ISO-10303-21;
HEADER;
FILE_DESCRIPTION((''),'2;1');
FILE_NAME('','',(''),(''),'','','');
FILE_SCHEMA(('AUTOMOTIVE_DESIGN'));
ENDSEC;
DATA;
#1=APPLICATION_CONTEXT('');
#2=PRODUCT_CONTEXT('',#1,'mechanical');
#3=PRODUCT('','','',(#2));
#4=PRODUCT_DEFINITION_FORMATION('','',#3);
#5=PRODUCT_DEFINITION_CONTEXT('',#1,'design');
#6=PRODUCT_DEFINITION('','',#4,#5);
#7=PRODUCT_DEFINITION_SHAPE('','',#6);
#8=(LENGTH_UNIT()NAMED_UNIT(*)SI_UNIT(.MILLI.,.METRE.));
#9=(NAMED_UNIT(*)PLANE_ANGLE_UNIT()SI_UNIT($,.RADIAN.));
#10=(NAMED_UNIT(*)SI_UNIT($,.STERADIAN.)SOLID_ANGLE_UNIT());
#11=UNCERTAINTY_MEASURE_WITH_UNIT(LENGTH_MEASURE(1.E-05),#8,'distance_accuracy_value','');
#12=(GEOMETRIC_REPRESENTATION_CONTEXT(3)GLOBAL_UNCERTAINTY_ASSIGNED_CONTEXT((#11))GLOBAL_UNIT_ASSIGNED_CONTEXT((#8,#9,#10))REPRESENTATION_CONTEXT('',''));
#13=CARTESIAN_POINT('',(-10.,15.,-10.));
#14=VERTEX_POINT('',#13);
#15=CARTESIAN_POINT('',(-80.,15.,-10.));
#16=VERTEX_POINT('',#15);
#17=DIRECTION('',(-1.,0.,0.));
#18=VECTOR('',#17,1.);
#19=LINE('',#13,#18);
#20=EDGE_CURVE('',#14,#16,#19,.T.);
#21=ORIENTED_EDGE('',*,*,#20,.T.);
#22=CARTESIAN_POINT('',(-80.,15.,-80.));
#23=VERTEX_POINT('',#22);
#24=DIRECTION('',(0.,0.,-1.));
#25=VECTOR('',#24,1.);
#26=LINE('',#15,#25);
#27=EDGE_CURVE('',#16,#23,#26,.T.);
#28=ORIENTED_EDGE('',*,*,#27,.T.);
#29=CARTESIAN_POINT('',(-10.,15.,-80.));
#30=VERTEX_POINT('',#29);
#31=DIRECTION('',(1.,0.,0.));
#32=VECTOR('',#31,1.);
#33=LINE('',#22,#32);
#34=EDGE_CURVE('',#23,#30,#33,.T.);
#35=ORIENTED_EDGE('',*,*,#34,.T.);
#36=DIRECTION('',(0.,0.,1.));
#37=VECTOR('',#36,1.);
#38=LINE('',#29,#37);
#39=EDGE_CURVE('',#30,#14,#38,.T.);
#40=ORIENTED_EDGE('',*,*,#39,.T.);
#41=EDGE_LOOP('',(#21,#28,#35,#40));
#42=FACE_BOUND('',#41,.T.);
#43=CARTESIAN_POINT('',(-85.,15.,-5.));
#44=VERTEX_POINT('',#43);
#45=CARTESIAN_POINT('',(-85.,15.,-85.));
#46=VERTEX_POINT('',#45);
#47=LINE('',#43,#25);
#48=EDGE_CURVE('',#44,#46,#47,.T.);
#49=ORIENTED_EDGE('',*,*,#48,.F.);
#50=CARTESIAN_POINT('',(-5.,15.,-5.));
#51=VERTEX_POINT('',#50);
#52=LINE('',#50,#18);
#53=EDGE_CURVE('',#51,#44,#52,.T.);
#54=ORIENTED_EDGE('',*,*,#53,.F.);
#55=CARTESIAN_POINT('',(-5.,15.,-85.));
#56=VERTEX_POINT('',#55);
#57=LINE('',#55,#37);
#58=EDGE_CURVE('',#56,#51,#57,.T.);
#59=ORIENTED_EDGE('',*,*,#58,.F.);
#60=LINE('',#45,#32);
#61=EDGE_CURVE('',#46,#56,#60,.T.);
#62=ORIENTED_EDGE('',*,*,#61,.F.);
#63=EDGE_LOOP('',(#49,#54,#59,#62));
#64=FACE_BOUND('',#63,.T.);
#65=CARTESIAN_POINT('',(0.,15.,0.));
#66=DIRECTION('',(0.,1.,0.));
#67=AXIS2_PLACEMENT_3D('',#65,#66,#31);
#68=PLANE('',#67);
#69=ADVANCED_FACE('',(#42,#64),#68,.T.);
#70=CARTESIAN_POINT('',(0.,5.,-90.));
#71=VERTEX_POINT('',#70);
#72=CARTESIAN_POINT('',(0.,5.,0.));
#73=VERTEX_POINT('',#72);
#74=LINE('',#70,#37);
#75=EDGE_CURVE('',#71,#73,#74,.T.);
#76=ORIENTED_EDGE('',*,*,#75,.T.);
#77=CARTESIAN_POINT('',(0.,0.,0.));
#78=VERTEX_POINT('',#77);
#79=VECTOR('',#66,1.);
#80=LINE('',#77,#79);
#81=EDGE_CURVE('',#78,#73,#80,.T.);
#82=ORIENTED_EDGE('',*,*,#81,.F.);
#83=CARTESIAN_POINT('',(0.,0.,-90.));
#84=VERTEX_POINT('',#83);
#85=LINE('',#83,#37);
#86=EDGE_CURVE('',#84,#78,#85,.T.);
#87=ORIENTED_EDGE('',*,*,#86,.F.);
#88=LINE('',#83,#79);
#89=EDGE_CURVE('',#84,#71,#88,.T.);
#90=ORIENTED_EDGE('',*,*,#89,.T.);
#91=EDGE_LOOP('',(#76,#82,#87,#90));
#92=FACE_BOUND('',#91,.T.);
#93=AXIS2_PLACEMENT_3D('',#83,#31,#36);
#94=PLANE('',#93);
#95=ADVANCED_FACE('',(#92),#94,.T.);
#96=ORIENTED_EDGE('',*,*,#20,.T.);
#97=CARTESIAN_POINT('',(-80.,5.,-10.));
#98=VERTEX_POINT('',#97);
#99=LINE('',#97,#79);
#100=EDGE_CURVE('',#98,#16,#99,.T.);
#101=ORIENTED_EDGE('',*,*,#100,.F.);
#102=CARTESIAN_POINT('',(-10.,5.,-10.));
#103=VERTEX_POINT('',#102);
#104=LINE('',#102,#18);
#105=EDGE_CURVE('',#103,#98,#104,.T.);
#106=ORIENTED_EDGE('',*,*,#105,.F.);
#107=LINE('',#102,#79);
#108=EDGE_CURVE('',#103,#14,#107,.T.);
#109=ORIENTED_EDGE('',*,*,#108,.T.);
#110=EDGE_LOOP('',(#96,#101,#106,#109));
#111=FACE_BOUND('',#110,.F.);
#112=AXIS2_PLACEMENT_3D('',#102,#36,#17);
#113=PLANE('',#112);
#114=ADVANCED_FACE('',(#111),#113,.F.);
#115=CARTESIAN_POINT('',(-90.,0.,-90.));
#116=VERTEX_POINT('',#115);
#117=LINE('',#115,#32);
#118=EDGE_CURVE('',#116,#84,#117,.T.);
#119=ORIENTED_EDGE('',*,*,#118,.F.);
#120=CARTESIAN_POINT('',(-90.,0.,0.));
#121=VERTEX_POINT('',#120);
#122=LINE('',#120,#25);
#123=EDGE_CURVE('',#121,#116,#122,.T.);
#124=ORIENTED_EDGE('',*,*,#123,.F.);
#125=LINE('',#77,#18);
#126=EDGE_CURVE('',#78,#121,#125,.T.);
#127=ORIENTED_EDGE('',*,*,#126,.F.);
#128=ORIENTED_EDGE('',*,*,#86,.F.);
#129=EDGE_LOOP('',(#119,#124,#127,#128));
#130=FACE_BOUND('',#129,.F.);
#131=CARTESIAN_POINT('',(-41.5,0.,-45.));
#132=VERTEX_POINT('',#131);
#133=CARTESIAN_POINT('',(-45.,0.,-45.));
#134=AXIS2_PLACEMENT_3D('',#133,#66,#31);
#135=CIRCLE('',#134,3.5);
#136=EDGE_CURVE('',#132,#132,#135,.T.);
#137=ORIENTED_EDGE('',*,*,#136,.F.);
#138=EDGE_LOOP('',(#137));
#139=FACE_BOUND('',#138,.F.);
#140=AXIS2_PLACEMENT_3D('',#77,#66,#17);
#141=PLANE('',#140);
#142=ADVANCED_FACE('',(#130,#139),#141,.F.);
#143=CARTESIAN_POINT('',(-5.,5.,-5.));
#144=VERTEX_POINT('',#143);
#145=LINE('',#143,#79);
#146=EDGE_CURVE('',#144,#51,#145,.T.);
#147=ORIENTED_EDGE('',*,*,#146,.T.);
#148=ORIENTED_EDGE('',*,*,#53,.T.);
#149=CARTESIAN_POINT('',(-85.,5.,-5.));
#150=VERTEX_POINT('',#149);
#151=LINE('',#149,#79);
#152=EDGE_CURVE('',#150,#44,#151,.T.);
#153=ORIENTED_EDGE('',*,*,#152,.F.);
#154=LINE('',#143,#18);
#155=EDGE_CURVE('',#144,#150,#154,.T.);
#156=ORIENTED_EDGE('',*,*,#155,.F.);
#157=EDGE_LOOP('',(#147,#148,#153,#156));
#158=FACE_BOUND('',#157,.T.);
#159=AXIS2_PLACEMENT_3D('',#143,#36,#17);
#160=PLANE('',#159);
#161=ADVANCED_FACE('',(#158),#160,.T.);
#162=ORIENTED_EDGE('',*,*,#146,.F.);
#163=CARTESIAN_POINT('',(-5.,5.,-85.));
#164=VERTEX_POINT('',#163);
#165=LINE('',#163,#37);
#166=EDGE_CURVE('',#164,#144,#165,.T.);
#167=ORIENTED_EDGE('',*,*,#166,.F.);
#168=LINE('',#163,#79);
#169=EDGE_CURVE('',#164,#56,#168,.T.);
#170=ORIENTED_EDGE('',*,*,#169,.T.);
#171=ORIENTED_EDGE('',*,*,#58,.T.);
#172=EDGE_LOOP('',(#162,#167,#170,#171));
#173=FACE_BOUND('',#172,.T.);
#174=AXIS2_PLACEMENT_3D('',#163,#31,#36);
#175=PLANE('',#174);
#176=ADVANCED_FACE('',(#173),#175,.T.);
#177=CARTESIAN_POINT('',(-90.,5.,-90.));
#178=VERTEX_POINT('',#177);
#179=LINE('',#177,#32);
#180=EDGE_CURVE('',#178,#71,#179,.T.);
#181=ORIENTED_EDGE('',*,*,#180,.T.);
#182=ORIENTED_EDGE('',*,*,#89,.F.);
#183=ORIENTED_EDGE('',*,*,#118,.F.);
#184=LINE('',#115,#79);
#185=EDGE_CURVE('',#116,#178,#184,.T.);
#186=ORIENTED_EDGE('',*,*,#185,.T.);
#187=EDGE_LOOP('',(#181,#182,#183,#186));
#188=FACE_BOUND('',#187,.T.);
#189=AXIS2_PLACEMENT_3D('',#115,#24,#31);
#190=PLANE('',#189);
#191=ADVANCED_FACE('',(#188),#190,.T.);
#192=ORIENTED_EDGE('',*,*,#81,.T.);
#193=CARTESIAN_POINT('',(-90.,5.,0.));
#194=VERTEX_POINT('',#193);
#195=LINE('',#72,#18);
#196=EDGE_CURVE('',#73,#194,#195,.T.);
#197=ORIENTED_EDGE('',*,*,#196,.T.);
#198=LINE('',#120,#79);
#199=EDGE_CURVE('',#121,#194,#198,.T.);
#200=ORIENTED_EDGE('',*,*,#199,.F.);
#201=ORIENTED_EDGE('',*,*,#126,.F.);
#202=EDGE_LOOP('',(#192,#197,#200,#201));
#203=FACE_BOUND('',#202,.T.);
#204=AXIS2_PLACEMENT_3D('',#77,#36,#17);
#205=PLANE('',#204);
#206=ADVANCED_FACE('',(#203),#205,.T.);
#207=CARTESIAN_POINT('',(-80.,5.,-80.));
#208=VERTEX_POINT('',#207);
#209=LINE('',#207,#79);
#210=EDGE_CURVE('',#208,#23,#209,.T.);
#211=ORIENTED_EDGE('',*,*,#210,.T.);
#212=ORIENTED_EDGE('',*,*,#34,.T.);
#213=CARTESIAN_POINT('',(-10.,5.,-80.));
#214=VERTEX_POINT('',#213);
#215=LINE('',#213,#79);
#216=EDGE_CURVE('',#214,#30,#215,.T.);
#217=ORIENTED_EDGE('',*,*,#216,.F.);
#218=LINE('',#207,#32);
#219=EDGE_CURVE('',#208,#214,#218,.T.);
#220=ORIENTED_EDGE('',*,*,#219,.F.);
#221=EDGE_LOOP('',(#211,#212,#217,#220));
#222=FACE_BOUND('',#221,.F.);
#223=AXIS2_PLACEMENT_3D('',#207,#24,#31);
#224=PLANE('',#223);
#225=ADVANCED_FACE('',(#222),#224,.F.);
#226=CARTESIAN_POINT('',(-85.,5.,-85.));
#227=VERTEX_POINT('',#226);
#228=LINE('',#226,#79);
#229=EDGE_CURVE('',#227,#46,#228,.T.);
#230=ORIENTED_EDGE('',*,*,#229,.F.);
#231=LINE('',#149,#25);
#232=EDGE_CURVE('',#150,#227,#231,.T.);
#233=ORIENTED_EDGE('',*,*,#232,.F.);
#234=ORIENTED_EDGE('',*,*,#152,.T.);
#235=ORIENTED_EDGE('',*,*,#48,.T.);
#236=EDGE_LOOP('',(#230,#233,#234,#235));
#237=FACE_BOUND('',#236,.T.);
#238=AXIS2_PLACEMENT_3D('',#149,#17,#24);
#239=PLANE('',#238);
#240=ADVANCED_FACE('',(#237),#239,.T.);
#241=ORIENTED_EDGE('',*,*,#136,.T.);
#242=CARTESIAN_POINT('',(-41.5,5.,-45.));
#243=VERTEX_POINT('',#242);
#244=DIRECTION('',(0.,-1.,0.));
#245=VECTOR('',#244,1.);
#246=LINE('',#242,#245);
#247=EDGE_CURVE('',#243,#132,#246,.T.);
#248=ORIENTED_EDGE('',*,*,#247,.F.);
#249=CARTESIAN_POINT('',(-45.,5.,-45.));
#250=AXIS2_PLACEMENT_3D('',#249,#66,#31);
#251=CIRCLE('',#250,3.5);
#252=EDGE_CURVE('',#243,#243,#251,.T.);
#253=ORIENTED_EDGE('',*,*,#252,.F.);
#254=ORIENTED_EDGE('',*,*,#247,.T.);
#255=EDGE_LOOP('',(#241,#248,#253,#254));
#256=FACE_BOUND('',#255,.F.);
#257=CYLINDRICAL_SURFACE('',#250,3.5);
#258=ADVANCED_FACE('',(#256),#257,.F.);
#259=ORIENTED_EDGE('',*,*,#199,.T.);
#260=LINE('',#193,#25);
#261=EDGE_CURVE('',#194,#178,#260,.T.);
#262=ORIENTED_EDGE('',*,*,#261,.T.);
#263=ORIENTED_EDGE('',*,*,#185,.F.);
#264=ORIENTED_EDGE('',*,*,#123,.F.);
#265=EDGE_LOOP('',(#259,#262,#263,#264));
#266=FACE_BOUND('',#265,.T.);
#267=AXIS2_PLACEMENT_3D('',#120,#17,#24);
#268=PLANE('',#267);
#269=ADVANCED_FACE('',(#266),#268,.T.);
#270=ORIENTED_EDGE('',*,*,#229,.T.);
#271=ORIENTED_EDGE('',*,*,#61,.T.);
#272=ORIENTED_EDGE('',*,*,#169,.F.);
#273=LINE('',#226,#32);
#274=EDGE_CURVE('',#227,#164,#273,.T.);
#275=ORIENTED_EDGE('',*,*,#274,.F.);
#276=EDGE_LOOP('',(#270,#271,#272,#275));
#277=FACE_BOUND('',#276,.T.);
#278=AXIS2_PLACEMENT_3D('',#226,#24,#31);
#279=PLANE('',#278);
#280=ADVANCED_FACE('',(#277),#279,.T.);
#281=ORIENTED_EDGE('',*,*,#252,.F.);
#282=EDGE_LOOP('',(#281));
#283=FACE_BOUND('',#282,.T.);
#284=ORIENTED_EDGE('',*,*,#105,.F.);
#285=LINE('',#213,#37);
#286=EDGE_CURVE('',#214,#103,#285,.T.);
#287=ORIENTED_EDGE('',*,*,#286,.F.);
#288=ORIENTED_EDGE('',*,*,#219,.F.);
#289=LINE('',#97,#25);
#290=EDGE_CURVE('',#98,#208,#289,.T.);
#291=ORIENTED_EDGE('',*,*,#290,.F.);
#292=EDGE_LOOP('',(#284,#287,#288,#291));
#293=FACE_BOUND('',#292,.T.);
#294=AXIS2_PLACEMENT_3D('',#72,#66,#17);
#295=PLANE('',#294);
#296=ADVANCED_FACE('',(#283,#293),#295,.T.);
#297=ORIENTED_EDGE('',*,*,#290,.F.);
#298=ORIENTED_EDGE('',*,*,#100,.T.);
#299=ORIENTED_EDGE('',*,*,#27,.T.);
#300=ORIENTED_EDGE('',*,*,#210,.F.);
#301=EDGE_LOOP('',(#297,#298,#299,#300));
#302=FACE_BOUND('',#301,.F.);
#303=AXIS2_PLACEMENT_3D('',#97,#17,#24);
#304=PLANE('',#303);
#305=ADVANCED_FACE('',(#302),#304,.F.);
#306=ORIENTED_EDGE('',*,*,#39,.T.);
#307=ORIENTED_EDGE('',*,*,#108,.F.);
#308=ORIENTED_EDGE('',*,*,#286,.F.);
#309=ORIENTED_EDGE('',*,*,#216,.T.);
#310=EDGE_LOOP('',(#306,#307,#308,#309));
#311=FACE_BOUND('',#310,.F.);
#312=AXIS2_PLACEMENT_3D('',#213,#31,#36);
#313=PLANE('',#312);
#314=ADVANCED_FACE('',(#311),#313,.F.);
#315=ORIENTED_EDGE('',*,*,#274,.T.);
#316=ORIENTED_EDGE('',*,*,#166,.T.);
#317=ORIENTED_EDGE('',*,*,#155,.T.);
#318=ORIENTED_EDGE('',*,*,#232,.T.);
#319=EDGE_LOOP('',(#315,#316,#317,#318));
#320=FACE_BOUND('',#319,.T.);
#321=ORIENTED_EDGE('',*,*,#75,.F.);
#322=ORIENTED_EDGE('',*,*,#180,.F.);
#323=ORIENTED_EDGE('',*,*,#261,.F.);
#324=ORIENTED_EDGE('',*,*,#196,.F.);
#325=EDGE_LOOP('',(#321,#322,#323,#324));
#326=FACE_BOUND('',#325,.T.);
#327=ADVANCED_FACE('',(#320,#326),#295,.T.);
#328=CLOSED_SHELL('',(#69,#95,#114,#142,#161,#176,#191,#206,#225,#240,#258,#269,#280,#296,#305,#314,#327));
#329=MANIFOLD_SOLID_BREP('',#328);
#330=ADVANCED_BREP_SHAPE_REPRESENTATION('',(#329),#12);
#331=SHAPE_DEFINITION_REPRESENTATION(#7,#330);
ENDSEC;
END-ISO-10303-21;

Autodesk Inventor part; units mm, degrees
ref_plane "YZ Plane" through (0, 0, 0) normal (1, 0, 0) x (0, 1, 0)
ref_plane "XZ Plane" through (0, 0, 0) normal (0, 1, 0) x (-1, 0, 0)
ref_plane "XY Plane" through (0, 0, 0) normal (0, 0, 1) x (1, 0, 0)
sketch "Sketch1" plane through (0, 0, 0) normal (0, 1, 0) x (-1, 0, 0)
  line L0 (0, 0) -> (90, 0)
  line L1 (90, 0) -> (90, -90)
  line L2 (90, -90) -> (0, -90)
  line L3 (0, -90) -> (0, 0)
  dimension "d0" = 90
  dimension "d1" = 90
extrude "Extrusion1" add sketch "Sketch1" along normal blind 5
sketch "Sketch2" plane through (0, 5, 0) normal (0, 1, 0) x (1, 0, 0)
  line L0 (-5, 5) -> (-85, 5)
  line L1 (-85, 5) -> (-85, 85)
  line L2 (-85, 85) -> (-5, 85)
  line L3 (-5, 85) -> (-5, 5)
  line L4 (0, 0) -> (0, 90) projected
  line L5 (-90, 0) -> (0, 0) projected
  line L6 (-10, 10) -> (-80, 10)
  line L7 (-80, 10) -> (-80, 80)
  line L8 (-80, 80) -> (-10, 80)
  line L9 (-10, 80) -> (-10, 10)
  dimension "d4" = 5
  dimension "d5" = 5
  dimension "d6" = 80
  dimension "d7" = 80
  dimension "d8" = 5
  dimension "d9" = 5
  dimension "d10" = 70
  dimension "d11" = 70
extrude "Extrusion2" add sketch "Sketch2" along normal blind 10
sketch "Sketch3" plane through (0, 5, 0) normal (0, 1, 0) x (1, 0, 0)
  circle A0 centre (-45, 45) radius 3.5
  line L0 (0, 0) -> (0, 90) projected
  line L1 (0, 90) -> (-90, 90) projected
  dimension "d14" = 45
  dimension "d15" = 45
  dimension "d16" = 7
extrude "Extrusion3" cut sketch "Sketch3" against normal blind 10
properties part number "BlackBoxTopFall2019"
